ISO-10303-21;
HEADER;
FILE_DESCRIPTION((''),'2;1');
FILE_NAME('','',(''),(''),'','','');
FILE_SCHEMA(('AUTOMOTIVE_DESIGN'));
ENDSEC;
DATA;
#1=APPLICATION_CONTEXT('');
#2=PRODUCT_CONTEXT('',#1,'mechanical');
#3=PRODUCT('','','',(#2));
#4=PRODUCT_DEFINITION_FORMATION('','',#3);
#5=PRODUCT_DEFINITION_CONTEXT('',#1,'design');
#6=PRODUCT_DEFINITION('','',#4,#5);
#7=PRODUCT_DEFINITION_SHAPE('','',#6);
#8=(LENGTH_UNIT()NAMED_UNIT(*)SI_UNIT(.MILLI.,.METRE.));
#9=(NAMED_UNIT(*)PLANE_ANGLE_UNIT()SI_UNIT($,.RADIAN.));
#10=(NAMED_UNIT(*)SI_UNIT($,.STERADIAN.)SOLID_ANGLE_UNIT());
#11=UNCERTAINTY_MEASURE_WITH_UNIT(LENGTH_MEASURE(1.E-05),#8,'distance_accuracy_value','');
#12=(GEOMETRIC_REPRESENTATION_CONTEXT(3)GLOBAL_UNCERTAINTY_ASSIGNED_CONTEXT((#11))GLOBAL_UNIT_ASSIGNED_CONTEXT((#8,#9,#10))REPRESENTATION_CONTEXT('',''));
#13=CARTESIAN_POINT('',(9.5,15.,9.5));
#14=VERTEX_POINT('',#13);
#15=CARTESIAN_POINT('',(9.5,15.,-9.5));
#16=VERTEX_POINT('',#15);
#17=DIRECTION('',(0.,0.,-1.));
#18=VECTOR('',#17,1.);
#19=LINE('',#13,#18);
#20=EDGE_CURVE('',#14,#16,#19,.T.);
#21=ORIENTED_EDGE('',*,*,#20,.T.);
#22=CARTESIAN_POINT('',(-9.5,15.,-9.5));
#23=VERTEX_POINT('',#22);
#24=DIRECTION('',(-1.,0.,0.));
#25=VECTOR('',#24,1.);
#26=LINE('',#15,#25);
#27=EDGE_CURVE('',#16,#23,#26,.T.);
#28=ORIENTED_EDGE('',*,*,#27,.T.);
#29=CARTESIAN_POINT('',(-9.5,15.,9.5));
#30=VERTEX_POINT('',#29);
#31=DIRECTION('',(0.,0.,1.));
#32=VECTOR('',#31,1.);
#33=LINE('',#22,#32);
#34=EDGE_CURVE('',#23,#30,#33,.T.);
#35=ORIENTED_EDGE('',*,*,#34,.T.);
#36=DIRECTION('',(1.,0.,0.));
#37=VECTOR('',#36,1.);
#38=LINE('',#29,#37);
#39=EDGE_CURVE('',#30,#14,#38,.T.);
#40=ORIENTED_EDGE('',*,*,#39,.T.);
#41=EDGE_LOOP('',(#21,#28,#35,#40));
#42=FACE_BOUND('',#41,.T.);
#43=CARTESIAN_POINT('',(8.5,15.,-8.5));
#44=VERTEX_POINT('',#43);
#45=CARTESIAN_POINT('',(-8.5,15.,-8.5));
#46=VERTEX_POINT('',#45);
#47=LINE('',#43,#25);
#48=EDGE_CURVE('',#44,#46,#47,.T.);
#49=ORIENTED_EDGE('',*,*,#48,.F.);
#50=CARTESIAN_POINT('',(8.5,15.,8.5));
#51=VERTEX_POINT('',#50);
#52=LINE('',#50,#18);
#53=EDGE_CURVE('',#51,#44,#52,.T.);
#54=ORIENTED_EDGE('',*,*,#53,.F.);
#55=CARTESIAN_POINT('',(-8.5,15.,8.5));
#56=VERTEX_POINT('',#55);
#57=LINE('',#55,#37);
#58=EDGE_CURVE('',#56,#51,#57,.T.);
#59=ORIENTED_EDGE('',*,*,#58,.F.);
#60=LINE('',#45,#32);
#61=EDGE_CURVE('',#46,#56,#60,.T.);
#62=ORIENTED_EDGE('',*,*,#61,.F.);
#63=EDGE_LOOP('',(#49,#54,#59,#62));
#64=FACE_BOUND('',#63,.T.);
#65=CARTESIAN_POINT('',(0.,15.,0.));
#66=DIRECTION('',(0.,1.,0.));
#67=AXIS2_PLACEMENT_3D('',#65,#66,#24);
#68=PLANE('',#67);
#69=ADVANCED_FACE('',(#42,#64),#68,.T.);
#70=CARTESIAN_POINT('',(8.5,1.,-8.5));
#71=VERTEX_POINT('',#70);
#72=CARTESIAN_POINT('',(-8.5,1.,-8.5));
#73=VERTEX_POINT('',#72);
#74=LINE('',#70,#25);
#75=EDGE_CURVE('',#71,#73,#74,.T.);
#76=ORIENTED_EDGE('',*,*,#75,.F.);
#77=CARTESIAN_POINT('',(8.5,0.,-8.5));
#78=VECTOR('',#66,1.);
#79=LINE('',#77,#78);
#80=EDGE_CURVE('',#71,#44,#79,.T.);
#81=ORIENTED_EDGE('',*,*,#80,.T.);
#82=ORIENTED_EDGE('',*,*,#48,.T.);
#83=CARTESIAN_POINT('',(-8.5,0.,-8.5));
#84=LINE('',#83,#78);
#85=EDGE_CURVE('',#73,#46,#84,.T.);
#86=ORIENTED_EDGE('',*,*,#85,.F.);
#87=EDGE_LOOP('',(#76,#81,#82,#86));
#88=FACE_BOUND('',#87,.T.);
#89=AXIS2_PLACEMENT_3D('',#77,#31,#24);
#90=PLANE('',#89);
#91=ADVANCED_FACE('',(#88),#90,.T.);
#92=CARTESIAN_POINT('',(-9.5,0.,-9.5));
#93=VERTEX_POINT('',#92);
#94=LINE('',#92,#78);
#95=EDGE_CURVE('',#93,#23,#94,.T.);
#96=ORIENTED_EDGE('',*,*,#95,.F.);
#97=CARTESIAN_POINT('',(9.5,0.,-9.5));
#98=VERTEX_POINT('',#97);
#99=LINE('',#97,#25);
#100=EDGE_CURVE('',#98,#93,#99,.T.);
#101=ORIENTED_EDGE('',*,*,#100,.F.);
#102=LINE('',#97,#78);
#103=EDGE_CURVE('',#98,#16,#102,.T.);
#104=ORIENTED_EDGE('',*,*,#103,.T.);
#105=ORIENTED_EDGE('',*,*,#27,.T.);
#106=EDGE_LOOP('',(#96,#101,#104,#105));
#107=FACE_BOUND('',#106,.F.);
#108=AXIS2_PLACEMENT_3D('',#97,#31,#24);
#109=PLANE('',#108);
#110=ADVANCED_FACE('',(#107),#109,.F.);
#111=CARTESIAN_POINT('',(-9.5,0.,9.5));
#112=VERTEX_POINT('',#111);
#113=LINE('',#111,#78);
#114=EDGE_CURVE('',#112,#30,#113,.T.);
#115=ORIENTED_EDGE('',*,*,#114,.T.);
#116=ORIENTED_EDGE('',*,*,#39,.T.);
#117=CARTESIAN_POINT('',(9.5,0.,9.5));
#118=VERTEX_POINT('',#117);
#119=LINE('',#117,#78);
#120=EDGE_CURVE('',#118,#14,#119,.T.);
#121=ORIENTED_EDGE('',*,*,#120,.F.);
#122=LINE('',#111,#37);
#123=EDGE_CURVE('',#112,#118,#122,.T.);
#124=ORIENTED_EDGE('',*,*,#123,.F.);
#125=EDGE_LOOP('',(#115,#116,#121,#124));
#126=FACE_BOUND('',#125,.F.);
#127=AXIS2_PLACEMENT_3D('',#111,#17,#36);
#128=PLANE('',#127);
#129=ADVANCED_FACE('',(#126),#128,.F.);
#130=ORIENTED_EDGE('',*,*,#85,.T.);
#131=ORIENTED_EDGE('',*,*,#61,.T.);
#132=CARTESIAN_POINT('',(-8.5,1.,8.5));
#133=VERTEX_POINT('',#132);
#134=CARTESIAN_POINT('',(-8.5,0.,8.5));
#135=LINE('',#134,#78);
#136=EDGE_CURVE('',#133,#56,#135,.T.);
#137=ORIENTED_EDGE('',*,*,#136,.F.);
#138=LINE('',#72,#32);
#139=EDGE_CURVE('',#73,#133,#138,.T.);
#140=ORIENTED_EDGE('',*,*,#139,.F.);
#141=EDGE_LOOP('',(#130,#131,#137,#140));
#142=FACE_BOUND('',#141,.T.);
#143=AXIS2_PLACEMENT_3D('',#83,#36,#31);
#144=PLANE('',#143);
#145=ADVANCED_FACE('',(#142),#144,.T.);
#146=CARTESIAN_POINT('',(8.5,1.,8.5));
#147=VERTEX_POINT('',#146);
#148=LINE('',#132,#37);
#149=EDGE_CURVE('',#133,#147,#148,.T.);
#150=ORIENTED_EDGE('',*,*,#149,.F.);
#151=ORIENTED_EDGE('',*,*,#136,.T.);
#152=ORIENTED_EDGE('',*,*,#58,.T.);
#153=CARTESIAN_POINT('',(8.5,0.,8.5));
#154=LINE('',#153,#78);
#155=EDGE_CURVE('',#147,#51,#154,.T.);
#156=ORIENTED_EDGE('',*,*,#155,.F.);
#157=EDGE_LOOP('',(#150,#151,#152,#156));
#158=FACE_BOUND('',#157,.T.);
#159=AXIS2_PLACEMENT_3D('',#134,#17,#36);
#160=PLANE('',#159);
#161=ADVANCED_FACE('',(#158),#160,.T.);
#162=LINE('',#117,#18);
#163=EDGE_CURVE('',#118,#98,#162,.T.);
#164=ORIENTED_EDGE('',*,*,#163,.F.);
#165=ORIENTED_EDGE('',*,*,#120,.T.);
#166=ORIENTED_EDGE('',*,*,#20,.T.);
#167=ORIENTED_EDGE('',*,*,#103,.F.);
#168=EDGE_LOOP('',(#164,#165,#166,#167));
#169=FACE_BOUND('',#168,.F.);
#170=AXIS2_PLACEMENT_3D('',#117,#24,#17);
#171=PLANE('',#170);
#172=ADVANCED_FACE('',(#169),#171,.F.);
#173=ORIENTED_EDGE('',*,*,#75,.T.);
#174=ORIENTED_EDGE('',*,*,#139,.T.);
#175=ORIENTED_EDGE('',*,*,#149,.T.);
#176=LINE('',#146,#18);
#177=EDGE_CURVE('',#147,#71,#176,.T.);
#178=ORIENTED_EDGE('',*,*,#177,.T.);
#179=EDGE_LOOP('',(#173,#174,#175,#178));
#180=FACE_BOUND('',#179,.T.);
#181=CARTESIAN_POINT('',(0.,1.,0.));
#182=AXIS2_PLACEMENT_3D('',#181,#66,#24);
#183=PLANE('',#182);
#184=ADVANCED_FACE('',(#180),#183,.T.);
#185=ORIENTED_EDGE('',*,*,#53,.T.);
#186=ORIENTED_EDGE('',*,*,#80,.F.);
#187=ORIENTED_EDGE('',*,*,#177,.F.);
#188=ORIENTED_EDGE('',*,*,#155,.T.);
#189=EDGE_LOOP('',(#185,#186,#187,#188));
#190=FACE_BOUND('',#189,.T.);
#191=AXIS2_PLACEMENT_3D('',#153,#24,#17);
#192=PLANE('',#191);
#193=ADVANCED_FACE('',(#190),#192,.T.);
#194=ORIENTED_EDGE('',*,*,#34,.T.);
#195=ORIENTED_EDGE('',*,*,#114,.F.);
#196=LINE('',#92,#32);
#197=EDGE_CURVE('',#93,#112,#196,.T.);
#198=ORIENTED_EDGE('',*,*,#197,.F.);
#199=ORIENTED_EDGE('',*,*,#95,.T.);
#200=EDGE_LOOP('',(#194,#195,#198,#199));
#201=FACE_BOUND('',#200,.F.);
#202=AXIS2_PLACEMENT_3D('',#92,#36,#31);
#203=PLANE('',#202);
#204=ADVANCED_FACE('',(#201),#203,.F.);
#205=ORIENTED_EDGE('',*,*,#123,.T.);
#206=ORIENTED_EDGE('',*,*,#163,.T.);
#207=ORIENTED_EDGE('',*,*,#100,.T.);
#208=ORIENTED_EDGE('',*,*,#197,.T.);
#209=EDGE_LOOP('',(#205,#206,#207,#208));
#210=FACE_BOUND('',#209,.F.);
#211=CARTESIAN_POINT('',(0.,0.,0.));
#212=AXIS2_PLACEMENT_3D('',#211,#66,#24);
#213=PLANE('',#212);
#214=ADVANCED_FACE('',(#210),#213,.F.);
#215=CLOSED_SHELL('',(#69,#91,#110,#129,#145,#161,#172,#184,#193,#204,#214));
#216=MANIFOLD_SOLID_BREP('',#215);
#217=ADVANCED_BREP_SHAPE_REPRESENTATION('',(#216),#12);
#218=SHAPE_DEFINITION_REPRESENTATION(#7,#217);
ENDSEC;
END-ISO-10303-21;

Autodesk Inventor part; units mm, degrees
ref_plane "YZ Plane" through (0, 0, 0) normal (1, 0, 0) x (0, 1, 0)
ref_plane "XZ Plane" through (0, 0, 0) normal (0, 1, 0) x (-1, 0, 0)
ref_plane "XY Plane" through (0, 0, 0) normal (0, 0, 1) x (1, 0, 0)
sketch "Boceto1" plane through (0, 0, 0) normal (0, 1, 0) x (-1, 0, 0)
  line L0 (8.5, 8.5) -> (-8.5, 8.5)
  line L1 (-8.5, 8.5) -> (-8.5, -8.5)
  line L2 (-8.5, -8.5) -> (8.5, -8.5)
  line L3 (8.5, -8.5) -> (8.5, 8.5)
  line L4 (9.5, 9.5) -> (-9.5, 9.5)
  line L5 (-9.5, 9.5) -> (-9.5, -9.5)
  line L6 (-9.5, -9.5) -> (9.5, -9.5)
  line L7 (9.5, -9.5) -> (9.5, 9.5)
  point P0 (0, 0)
  point P1 (8.5, 0)
  point P2 (0, -8.5)
  dimension "d0" = 17
  dimension "d1" = 17
  dimension "d2" = 1
  dimension "d3" = 1
  dimension "d4" = 1
  dimension "d5" = 1
extrude "Extrusión1" add sketch "Boceto1" along normal blind 15
extrude "Extrusión2" add sketch "Boceto1" along normal blind 1 contours L3 L2 L1 L0
properties part number "cubo"
